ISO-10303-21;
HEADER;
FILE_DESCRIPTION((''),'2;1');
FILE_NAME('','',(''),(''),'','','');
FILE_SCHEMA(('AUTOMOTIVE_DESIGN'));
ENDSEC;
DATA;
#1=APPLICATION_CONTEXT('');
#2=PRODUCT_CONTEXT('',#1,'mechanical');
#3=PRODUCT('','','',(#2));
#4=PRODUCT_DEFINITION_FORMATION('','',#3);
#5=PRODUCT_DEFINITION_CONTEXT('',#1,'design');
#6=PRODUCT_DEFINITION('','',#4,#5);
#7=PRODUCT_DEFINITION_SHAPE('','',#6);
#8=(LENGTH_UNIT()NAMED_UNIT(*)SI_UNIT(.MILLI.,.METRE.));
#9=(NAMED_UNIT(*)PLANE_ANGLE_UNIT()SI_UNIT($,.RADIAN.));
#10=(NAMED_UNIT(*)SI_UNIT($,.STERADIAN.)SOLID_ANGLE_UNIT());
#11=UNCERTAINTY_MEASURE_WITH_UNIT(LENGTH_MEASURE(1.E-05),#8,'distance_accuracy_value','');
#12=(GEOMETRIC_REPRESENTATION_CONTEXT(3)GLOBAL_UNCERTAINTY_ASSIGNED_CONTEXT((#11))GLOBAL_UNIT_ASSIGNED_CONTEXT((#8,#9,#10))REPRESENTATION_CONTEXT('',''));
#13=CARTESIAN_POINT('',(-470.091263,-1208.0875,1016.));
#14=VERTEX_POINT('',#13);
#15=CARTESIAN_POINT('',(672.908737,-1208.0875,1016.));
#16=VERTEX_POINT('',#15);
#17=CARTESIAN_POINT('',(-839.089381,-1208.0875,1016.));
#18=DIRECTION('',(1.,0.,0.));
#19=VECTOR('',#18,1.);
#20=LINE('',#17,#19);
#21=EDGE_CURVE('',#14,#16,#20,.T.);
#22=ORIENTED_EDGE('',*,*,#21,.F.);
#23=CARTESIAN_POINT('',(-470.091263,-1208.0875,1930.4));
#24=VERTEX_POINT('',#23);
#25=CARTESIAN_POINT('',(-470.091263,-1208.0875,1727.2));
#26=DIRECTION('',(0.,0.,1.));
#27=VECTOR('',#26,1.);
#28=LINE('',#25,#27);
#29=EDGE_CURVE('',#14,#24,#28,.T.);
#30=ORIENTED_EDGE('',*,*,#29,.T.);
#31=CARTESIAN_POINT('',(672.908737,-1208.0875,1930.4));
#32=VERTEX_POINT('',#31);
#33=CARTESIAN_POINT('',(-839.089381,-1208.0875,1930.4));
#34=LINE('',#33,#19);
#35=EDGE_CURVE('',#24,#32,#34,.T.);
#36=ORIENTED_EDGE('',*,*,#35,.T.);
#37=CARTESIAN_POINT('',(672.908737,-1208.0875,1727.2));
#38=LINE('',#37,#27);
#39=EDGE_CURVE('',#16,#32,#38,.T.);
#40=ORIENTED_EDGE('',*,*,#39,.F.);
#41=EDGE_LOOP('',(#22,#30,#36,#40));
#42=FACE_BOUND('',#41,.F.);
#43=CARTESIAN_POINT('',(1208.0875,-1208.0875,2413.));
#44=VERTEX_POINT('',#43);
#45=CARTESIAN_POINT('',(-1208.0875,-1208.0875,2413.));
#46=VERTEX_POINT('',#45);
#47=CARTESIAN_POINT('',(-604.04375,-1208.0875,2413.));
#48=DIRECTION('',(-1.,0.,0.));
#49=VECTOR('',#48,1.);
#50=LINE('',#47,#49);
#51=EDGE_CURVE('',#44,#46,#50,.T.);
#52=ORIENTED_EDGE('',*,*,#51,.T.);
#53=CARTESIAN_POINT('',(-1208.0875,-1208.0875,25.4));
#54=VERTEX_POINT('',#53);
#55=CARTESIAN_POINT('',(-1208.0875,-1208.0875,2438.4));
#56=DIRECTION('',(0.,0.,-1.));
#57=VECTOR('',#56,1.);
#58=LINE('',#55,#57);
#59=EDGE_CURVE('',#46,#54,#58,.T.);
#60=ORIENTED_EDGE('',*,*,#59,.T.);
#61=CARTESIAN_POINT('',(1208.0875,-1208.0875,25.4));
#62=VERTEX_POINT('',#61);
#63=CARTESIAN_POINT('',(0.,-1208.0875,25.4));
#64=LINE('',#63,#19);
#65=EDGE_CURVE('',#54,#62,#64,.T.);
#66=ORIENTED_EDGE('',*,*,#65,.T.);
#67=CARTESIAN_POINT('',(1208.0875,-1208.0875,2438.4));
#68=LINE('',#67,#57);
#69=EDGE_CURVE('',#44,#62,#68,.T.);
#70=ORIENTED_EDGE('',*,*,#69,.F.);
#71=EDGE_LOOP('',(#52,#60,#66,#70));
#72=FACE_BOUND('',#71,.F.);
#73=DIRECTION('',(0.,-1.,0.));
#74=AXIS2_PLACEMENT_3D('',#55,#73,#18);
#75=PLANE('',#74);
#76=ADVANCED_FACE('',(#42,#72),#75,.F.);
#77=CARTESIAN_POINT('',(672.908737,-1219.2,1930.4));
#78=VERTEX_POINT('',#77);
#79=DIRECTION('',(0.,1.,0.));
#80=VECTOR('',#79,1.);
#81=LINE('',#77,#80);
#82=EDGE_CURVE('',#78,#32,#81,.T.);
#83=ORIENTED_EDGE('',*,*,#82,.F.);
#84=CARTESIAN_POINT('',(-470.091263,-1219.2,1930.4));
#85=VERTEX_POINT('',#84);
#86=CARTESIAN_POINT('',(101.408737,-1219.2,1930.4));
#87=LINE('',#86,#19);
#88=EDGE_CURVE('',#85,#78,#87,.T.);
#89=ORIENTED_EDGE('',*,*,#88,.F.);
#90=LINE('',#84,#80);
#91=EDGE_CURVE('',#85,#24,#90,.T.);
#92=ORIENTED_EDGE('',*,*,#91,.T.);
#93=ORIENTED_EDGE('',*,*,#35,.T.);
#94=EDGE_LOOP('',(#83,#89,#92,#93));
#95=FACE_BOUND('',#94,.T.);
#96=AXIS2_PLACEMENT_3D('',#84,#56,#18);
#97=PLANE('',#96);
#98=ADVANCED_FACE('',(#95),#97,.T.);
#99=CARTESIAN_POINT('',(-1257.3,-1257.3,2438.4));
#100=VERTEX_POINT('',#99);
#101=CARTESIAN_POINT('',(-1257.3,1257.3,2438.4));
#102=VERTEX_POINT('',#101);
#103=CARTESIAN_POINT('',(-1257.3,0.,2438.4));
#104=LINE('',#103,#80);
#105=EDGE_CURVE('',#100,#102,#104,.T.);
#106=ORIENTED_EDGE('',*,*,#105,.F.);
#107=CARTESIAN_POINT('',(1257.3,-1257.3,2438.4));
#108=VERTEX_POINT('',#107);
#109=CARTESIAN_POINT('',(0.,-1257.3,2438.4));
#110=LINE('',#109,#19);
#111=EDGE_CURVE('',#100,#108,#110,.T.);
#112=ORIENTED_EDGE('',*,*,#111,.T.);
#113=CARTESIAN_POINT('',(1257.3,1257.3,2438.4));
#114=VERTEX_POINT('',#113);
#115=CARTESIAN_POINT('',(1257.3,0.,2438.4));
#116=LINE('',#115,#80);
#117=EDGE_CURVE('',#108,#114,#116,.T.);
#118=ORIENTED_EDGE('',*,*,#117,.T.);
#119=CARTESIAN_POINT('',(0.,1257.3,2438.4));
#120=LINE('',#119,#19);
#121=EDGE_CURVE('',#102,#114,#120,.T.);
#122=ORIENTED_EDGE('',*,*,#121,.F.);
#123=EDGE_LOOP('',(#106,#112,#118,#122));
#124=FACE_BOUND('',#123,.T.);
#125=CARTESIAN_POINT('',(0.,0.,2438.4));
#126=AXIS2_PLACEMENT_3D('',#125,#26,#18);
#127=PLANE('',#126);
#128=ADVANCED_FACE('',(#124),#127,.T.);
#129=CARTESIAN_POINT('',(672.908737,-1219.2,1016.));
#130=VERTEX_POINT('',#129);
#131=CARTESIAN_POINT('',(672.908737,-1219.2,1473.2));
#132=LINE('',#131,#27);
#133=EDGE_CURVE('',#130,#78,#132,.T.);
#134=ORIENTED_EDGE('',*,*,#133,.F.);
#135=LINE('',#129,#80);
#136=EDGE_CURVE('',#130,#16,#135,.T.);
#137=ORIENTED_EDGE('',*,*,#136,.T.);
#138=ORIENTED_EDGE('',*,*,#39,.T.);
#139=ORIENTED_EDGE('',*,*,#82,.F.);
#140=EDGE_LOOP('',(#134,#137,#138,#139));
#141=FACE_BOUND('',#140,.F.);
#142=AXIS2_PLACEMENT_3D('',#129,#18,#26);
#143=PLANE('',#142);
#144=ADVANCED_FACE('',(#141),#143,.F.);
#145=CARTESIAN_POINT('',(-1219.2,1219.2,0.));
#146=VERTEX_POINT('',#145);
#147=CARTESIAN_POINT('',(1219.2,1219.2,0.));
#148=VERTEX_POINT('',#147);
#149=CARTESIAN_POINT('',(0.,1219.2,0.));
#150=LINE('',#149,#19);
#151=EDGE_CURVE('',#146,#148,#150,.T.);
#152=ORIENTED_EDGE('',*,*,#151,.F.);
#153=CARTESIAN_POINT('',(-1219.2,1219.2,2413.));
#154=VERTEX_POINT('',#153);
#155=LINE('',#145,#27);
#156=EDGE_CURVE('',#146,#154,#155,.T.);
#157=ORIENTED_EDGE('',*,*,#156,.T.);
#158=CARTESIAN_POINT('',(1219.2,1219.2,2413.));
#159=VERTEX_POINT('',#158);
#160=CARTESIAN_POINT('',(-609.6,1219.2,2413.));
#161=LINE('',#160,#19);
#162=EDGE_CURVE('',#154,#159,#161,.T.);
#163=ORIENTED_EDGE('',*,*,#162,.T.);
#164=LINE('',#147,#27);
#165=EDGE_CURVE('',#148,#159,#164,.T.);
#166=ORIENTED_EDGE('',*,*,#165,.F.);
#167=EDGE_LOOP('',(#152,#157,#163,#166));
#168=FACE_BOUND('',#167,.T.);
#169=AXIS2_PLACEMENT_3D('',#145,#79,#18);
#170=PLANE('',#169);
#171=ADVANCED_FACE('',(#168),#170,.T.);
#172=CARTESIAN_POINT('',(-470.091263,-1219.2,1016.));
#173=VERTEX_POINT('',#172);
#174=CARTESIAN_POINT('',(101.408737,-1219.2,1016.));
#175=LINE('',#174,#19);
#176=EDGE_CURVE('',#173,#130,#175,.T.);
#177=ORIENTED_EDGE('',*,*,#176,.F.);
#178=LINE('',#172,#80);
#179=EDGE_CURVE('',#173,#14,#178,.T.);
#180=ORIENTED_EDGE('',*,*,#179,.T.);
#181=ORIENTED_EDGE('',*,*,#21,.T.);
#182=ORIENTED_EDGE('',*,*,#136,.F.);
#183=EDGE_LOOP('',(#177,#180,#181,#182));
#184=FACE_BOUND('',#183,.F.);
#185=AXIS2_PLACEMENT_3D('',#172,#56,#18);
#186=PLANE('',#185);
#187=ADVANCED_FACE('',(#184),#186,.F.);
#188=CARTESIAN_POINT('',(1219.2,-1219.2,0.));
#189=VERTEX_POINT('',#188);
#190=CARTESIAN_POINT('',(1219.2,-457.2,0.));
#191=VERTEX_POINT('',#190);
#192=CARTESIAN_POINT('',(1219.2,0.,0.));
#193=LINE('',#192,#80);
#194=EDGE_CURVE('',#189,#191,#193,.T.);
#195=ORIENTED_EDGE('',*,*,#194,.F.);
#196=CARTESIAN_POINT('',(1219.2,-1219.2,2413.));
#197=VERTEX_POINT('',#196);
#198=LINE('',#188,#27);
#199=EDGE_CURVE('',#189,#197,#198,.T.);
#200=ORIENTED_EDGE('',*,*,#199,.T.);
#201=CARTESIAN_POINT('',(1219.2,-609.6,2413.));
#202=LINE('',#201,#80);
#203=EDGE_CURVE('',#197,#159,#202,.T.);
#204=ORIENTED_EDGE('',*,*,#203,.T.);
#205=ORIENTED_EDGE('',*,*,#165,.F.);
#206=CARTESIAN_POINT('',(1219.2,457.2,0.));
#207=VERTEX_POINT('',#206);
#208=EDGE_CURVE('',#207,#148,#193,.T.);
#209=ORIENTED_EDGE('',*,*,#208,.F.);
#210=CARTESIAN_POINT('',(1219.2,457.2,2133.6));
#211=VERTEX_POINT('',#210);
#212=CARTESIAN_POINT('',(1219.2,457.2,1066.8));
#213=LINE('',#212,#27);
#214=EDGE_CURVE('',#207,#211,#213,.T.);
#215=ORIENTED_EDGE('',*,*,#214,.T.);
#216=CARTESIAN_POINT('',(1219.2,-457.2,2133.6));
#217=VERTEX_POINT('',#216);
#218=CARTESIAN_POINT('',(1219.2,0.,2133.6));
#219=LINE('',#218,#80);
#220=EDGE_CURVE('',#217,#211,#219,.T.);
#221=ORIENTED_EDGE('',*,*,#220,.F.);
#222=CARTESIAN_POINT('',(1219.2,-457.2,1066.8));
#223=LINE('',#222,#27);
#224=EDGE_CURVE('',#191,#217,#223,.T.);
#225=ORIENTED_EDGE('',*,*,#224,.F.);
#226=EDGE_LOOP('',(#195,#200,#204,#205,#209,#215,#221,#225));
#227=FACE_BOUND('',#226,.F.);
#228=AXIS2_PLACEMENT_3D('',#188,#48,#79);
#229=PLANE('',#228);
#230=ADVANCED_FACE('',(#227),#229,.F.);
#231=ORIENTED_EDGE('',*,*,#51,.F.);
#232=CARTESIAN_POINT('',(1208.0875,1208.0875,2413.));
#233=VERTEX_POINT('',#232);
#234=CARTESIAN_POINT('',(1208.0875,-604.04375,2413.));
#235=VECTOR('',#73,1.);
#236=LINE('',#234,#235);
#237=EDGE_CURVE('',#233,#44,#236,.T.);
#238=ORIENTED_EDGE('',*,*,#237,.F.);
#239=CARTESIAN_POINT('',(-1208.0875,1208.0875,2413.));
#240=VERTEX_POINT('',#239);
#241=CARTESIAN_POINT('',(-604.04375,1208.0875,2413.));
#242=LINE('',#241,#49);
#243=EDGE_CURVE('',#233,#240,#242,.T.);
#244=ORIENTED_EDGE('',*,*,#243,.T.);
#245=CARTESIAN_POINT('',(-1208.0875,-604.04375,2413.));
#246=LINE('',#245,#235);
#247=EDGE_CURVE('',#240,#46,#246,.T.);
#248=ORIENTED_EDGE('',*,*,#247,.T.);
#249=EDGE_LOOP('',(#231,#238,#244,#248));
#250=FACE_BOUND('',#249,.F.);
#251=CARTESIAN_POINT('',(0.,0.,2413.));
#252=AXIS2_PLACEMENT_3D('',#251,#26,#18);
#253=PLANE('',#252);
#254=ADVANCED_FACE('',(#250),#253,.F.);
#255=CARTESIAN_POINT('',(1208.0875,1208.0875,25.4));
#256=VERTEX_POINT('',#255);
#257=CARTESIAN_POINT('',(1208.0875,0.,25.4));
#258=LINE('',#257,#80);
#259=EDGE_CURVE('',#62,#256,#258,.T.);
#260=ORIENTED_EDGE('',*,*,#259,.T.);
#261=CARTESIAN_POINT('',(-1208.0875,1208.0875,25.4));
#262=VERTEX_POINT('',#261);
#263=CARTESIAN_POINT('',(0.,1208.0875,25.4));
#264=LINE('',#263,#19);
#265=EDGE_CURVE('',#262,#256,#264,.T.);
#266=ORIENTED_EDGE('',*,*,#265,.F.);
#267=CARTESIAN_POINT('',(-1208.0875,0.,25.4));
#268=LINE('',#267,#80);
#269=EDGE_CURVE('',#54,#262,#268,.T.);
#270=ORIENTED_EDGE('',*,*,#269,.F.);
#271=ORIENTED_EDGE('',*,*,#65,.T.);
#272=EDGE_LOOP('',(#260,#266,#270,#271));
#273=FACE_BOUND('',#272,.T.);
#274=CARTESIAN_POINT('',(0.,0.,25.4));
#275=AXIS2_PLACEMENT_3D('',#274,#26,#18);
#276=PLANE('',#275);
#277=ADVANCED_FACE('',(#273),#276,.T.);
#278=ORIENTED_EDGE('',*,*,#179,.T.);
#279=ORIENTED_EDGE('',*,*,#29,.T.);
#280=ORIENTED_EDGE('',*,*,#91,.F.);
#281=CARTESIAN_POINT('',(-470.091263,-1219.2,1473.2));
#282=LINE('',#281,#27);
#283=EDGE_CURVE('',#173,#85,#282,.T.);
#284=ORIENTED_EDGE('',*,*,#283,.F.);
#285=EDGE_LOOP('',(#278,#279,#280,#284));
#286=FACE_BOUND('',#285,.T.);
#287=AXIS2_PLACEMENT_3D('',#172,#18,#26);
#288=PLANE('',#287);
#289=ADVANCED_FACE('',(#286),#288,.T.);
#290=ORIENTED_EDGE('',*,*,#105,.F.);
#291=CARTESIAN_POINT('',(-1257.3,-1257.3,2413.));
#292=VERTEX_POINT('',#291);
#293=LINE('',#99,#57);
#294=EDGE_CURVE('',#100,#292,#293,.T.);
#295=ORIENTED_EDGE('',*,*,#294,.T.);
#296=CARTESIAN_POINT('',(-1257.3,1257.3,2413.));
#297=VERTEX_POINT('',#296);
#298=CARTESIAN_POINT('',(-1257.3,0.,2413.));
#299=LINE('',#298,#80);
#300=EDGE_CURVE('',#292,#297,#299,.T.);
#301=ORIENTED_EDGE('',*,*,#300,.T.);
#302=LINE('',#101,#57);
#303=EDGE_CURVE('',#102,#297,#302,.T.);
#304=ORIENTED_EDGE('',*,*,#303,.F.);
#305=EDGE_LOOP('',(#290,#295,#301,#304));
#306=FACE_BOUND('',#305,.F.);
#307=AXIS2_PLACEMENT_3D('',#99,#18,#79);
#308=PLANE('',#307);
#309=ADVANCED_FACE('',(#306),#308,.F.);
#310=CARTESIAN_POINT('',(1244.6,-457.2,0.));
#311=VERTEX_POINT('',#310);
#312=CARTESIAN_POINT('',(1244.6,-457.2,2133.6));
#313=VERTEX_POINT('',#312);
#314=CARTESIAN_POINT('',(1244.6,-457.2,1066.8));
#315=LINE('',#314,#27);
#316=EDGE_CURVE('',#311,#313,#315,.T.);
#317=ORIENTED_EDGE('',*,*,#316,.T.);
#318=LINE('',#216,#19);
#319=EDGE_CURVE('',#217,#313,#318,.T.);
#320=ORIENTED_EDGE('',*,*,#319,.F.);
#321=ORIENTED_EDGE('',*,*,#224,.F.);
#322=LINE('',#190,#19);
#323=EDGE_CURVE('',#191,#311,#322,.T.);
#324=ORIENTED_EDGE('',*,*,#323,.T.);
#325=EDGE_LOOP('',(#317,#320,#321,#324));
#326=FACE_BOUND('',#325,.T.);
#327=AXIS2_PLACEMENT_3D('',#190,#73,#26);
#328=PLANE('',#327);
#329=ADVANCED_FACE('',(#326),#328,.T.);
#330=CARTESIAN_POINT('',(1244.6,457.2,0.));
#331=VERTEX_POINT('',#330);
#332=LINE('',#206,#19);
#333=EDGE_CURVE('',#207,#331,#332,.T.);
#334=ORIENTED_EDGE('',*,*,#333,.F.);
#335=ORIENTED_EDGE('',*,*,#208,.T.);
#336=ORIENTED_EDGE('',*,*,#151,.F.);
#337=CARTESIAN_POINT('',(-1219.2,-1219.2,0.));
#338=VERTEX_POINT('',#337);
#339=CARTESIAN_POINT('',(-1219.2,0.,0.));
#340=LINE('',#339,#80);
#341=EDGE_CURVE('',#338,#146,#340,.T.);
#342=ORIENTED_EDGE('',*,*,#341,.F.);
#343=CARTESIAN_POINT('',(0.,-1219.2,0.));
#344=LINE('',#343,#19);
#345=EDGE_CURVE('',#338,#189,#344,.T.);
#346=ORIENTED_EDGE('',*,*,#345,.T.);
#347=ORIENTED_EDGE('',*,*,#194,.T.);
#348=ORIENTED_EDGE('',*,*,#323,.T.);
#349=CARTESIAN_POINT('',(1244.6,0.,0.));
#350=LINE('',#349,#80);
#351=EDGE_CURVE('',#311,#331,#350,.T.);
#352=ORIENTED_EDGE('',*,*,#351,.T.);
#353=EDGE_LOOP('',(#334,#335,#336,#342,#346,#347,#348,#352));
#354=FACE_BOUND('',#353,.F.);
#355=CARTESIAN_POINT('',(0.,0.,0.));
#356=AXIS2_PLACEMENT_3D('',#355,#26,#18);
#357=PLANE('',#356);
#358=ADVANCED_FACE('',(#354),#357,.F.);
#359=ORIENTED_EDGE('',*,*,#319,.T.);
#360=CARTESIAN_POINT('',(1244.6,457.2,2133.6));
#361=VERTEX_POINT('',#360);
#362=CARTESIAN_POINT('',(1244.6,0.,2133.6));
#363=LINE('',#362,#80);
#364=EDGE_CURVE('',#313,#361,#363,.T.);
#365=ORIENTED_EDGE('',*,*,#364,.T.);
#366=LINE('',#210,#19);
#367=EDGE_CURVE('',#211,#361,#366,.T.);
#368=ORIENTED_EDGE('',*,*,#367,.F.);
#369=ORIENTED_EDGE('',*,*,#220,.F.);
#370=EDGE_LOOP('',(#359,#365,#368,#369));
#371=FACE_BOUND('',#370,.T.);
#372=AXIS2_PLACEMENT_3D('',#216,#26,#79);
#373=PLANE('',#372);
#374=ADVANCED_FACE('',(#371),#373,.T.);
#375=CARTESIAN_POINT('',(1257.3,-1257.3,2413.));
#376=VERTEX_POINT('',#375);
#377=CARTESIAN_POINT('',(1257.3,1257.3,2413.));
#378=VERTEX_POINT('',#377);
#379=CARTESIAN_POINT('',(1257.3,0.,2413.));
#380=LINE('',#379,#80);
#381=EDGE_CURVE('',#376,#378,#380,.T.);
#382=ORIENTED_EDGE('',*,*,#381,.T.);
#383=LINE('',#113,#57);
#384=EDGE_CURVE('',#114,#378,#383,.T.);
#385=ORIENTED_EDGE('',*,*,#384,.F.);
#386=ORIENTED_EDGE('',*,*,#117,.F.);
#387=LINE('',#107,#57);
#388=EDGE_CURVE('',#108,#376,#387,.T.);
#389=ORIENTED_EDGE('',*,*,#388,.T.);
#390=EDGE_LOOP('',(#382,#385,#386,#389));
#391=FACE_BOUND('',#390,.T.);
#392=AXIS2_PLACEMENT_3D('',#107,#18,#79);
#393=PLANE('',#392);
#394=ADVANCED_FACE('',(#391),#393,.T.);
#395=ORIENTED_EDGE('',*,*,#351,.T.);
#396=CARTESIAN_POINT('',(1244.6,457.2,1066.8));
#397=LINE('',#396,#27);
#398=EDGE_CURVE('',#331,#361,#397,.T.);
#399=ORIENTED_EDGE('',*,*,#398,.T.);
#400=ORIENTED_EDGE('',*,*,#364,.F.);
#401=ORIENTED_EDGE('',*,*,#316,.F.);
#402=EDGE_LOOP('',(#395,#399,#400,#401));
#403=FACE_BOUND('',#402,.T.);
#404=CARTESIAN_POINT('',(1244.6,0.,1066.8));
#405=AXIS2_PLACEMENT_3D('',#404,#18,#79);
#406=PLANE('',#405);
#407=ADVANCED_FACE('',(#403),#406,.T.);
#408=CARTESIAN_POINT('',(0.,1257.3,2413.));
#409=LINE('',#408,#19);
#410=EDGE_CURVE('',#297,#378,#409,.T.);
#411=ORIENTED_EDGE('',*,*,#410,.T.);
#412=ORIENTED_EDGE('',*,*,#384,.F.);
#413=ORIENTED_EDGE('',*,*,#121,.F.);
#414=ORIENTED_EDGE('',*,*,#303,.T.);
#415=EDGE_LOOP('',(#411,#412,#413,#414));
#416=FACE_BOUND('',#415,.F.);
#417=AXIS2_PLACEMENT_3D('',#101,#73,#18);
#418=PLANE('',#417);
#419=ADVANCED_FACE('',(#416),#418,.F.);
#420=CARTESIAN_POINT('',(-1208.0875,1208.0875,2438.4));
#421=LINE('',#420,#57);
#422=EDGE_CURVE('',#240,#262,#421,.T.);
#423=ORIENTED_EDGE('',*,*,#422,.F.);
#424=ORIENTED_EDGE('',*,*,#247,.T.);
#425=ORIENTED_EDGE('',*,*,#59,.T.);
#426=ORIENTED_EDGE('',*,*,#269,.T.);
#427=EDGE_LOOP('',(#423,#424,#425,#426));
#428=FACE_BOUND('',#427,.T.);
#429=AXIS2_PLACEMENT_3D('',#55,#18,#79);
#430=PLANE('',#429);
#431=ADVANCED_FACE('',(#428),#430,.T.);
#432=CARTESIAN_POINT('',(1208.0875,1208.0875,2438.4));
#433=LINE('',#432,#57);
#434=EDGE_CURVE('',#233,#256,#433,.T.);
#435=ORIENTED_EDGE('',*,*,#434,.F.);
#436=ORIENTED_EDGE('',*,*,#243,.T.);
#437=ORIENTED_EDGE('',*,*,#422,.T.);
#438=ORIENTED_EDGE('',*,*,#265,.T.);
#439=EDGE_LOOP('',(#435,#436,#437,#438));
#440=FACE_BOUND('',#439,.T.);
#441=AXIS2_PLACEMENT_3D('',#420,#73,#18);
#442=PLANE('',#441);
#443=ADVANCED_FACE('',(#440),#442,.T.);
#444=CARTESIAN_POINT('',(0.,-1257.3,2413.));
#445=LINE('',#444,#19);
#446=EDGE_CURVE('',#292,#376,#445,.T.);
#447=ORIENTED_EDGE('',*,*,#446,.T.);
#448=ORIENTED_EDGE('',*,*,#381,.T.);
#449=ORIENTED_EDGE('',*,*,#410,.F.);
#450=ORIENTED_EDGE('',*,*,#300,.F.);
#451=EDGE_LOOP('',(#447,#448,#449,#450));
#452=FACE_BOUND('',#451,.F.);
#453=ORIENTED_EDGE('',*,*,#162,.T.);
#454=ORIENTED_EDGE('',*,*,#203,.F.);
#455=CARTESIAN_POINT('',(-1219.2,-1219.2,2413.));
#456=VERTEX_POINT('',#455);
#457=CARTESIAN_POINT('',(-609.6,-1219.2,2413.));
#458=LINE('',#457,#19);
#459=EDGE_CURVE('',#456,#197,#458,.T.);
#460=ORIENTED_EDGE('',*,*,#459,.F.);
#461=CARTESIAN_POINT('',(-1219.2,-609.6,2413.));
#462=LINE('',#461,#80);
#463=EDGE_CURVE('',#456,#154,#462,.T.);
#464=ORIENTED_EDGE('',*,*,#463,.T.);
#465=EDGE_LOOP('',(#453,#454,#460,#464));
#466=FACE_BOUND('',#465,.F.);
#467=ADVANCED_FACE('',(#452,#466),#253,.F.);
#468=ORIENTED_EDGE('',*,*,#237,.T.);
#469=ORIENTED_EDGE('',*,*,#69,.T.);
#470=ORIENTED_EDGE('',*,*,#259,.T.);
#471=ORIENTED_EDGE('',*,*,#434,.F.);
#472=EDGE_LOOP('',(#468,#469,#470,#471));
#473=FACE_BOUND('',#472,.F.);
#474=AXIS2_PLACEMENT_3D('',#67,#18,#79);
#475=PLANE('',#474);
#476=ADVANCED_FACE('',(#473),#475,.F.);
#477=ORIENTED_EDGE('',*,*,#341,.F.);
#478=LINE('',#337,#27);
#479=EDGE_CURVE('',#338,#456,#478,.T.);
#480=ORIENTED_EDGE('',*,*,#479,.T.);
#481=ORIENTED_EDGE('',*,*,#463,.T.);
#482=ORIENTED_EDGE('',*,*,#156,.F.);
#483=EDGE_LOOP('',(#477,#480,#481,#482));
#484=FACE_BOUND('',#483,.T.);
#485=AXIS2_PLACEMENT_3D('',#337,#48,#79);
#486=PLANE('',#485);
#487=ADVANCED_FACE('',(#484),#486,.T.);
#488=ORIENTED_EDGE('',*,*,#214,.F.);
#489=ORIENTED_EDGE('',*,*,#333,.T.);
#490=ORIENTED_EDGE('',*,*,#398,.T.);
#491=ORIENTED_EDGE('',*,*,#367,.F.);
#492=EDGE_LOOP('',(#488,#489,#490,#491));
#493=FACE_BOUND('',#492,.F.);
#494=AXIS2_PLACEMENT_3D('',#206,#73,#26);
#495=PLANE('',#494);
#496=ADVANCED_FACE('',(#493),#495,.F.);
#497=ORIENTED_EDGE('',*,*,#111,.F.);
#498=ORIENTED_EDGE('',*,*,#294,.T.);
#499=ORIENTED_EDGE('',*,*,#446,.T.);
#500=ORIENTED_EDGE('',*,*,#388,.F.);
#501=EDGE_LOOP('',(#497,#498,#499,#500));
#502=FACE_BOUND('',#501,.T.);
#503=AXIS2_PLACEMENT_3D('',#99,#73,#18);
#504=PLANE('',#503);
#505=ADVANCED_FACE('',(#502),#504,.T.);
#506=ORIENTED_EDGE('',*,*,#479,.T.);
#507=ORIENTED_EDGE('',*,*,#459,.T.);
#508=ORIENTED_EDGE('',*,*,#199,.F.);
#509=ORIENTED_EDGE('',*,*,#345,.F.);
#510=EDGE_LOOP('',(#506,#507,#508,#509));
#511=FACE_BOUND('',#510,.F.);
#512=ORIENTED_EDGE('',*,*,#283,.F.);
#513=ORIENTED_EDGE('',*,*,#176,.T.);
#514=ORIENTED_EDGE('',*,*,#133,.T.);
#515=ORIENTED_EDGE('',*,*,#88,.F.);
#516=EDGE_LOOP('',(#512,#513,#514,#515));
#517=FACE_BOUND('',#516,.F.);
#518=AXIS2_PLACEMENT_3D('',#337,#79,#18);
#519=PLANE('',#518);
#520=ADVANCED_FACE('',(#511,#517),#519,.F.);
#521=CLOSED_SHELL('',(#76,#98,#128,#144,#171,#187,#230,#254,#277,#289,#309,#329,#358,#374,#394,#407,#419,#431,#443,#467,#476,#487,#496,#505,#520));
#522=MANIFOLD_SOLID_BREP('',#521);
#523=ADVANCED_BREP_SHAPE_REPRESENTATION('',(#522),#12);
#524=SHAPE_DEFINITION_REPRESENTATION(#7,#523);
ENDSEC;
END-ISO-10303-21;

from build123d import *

# Parameters (mm, degrees)
F0_W     = 2438.4
F0_H     = 2438.4
F1_DEPTH = 2438.4
F2_W     = 2416.175
F2_H     = 2416.175
F3_DEPTH = 2413
F4_W     = 914.4
F4_H     = 2133.6
F5_DEPTH = 25.4
F6_W     = 1143
F6_H     = 914.4
F7_DEPTH = 25.4
F8_W     = 2514.6
F8_H     = 2514.6
F9_DEPTH = 25.4


with BuildPart() as f1:
    # F0 (on Top) → F1 (new body)
    with BuildSketch(Plane.XY):
        Rectangle(F0_W, F0_H)
    extrude(amount=F1_DEPTH)

    # F2 (on face) → F3 (cut)
    with BuildSketch(Plane.XY.offset(2438.4)):
        Rectangle(F2_W, F2_H)
    extrude(amount=-F3_DEPTH, mode=Mode.SUBTRACT)

    # F4 (on face) → F5 (join)
    with BuildSketch(Plane.YZ.offset(1219.2)):
        with Locations((0, 1066.8)):
            Rectangle(F4_W, F4_H)
    extrude(amount=F5_DEPTH)

    # F6 (on face) → F7 (cut)
    with BuildSketch(Plane.XZ.offset(1219.2)):
        with Locations((101.408737, 1473.2)):
            Rectangle(F6_W, F6_H)
    extrude(amount=-F7_DEPTH, mode=Mode.SUBTRACT)

    # F8 (on face) → F9 (join)
    with BuildSketch(Plane.XY.offset(2438.4)):
        Rectangle(F8_W, F8_H)
    extrude(amount=-F9_DEPTH)


solid = f1.part
